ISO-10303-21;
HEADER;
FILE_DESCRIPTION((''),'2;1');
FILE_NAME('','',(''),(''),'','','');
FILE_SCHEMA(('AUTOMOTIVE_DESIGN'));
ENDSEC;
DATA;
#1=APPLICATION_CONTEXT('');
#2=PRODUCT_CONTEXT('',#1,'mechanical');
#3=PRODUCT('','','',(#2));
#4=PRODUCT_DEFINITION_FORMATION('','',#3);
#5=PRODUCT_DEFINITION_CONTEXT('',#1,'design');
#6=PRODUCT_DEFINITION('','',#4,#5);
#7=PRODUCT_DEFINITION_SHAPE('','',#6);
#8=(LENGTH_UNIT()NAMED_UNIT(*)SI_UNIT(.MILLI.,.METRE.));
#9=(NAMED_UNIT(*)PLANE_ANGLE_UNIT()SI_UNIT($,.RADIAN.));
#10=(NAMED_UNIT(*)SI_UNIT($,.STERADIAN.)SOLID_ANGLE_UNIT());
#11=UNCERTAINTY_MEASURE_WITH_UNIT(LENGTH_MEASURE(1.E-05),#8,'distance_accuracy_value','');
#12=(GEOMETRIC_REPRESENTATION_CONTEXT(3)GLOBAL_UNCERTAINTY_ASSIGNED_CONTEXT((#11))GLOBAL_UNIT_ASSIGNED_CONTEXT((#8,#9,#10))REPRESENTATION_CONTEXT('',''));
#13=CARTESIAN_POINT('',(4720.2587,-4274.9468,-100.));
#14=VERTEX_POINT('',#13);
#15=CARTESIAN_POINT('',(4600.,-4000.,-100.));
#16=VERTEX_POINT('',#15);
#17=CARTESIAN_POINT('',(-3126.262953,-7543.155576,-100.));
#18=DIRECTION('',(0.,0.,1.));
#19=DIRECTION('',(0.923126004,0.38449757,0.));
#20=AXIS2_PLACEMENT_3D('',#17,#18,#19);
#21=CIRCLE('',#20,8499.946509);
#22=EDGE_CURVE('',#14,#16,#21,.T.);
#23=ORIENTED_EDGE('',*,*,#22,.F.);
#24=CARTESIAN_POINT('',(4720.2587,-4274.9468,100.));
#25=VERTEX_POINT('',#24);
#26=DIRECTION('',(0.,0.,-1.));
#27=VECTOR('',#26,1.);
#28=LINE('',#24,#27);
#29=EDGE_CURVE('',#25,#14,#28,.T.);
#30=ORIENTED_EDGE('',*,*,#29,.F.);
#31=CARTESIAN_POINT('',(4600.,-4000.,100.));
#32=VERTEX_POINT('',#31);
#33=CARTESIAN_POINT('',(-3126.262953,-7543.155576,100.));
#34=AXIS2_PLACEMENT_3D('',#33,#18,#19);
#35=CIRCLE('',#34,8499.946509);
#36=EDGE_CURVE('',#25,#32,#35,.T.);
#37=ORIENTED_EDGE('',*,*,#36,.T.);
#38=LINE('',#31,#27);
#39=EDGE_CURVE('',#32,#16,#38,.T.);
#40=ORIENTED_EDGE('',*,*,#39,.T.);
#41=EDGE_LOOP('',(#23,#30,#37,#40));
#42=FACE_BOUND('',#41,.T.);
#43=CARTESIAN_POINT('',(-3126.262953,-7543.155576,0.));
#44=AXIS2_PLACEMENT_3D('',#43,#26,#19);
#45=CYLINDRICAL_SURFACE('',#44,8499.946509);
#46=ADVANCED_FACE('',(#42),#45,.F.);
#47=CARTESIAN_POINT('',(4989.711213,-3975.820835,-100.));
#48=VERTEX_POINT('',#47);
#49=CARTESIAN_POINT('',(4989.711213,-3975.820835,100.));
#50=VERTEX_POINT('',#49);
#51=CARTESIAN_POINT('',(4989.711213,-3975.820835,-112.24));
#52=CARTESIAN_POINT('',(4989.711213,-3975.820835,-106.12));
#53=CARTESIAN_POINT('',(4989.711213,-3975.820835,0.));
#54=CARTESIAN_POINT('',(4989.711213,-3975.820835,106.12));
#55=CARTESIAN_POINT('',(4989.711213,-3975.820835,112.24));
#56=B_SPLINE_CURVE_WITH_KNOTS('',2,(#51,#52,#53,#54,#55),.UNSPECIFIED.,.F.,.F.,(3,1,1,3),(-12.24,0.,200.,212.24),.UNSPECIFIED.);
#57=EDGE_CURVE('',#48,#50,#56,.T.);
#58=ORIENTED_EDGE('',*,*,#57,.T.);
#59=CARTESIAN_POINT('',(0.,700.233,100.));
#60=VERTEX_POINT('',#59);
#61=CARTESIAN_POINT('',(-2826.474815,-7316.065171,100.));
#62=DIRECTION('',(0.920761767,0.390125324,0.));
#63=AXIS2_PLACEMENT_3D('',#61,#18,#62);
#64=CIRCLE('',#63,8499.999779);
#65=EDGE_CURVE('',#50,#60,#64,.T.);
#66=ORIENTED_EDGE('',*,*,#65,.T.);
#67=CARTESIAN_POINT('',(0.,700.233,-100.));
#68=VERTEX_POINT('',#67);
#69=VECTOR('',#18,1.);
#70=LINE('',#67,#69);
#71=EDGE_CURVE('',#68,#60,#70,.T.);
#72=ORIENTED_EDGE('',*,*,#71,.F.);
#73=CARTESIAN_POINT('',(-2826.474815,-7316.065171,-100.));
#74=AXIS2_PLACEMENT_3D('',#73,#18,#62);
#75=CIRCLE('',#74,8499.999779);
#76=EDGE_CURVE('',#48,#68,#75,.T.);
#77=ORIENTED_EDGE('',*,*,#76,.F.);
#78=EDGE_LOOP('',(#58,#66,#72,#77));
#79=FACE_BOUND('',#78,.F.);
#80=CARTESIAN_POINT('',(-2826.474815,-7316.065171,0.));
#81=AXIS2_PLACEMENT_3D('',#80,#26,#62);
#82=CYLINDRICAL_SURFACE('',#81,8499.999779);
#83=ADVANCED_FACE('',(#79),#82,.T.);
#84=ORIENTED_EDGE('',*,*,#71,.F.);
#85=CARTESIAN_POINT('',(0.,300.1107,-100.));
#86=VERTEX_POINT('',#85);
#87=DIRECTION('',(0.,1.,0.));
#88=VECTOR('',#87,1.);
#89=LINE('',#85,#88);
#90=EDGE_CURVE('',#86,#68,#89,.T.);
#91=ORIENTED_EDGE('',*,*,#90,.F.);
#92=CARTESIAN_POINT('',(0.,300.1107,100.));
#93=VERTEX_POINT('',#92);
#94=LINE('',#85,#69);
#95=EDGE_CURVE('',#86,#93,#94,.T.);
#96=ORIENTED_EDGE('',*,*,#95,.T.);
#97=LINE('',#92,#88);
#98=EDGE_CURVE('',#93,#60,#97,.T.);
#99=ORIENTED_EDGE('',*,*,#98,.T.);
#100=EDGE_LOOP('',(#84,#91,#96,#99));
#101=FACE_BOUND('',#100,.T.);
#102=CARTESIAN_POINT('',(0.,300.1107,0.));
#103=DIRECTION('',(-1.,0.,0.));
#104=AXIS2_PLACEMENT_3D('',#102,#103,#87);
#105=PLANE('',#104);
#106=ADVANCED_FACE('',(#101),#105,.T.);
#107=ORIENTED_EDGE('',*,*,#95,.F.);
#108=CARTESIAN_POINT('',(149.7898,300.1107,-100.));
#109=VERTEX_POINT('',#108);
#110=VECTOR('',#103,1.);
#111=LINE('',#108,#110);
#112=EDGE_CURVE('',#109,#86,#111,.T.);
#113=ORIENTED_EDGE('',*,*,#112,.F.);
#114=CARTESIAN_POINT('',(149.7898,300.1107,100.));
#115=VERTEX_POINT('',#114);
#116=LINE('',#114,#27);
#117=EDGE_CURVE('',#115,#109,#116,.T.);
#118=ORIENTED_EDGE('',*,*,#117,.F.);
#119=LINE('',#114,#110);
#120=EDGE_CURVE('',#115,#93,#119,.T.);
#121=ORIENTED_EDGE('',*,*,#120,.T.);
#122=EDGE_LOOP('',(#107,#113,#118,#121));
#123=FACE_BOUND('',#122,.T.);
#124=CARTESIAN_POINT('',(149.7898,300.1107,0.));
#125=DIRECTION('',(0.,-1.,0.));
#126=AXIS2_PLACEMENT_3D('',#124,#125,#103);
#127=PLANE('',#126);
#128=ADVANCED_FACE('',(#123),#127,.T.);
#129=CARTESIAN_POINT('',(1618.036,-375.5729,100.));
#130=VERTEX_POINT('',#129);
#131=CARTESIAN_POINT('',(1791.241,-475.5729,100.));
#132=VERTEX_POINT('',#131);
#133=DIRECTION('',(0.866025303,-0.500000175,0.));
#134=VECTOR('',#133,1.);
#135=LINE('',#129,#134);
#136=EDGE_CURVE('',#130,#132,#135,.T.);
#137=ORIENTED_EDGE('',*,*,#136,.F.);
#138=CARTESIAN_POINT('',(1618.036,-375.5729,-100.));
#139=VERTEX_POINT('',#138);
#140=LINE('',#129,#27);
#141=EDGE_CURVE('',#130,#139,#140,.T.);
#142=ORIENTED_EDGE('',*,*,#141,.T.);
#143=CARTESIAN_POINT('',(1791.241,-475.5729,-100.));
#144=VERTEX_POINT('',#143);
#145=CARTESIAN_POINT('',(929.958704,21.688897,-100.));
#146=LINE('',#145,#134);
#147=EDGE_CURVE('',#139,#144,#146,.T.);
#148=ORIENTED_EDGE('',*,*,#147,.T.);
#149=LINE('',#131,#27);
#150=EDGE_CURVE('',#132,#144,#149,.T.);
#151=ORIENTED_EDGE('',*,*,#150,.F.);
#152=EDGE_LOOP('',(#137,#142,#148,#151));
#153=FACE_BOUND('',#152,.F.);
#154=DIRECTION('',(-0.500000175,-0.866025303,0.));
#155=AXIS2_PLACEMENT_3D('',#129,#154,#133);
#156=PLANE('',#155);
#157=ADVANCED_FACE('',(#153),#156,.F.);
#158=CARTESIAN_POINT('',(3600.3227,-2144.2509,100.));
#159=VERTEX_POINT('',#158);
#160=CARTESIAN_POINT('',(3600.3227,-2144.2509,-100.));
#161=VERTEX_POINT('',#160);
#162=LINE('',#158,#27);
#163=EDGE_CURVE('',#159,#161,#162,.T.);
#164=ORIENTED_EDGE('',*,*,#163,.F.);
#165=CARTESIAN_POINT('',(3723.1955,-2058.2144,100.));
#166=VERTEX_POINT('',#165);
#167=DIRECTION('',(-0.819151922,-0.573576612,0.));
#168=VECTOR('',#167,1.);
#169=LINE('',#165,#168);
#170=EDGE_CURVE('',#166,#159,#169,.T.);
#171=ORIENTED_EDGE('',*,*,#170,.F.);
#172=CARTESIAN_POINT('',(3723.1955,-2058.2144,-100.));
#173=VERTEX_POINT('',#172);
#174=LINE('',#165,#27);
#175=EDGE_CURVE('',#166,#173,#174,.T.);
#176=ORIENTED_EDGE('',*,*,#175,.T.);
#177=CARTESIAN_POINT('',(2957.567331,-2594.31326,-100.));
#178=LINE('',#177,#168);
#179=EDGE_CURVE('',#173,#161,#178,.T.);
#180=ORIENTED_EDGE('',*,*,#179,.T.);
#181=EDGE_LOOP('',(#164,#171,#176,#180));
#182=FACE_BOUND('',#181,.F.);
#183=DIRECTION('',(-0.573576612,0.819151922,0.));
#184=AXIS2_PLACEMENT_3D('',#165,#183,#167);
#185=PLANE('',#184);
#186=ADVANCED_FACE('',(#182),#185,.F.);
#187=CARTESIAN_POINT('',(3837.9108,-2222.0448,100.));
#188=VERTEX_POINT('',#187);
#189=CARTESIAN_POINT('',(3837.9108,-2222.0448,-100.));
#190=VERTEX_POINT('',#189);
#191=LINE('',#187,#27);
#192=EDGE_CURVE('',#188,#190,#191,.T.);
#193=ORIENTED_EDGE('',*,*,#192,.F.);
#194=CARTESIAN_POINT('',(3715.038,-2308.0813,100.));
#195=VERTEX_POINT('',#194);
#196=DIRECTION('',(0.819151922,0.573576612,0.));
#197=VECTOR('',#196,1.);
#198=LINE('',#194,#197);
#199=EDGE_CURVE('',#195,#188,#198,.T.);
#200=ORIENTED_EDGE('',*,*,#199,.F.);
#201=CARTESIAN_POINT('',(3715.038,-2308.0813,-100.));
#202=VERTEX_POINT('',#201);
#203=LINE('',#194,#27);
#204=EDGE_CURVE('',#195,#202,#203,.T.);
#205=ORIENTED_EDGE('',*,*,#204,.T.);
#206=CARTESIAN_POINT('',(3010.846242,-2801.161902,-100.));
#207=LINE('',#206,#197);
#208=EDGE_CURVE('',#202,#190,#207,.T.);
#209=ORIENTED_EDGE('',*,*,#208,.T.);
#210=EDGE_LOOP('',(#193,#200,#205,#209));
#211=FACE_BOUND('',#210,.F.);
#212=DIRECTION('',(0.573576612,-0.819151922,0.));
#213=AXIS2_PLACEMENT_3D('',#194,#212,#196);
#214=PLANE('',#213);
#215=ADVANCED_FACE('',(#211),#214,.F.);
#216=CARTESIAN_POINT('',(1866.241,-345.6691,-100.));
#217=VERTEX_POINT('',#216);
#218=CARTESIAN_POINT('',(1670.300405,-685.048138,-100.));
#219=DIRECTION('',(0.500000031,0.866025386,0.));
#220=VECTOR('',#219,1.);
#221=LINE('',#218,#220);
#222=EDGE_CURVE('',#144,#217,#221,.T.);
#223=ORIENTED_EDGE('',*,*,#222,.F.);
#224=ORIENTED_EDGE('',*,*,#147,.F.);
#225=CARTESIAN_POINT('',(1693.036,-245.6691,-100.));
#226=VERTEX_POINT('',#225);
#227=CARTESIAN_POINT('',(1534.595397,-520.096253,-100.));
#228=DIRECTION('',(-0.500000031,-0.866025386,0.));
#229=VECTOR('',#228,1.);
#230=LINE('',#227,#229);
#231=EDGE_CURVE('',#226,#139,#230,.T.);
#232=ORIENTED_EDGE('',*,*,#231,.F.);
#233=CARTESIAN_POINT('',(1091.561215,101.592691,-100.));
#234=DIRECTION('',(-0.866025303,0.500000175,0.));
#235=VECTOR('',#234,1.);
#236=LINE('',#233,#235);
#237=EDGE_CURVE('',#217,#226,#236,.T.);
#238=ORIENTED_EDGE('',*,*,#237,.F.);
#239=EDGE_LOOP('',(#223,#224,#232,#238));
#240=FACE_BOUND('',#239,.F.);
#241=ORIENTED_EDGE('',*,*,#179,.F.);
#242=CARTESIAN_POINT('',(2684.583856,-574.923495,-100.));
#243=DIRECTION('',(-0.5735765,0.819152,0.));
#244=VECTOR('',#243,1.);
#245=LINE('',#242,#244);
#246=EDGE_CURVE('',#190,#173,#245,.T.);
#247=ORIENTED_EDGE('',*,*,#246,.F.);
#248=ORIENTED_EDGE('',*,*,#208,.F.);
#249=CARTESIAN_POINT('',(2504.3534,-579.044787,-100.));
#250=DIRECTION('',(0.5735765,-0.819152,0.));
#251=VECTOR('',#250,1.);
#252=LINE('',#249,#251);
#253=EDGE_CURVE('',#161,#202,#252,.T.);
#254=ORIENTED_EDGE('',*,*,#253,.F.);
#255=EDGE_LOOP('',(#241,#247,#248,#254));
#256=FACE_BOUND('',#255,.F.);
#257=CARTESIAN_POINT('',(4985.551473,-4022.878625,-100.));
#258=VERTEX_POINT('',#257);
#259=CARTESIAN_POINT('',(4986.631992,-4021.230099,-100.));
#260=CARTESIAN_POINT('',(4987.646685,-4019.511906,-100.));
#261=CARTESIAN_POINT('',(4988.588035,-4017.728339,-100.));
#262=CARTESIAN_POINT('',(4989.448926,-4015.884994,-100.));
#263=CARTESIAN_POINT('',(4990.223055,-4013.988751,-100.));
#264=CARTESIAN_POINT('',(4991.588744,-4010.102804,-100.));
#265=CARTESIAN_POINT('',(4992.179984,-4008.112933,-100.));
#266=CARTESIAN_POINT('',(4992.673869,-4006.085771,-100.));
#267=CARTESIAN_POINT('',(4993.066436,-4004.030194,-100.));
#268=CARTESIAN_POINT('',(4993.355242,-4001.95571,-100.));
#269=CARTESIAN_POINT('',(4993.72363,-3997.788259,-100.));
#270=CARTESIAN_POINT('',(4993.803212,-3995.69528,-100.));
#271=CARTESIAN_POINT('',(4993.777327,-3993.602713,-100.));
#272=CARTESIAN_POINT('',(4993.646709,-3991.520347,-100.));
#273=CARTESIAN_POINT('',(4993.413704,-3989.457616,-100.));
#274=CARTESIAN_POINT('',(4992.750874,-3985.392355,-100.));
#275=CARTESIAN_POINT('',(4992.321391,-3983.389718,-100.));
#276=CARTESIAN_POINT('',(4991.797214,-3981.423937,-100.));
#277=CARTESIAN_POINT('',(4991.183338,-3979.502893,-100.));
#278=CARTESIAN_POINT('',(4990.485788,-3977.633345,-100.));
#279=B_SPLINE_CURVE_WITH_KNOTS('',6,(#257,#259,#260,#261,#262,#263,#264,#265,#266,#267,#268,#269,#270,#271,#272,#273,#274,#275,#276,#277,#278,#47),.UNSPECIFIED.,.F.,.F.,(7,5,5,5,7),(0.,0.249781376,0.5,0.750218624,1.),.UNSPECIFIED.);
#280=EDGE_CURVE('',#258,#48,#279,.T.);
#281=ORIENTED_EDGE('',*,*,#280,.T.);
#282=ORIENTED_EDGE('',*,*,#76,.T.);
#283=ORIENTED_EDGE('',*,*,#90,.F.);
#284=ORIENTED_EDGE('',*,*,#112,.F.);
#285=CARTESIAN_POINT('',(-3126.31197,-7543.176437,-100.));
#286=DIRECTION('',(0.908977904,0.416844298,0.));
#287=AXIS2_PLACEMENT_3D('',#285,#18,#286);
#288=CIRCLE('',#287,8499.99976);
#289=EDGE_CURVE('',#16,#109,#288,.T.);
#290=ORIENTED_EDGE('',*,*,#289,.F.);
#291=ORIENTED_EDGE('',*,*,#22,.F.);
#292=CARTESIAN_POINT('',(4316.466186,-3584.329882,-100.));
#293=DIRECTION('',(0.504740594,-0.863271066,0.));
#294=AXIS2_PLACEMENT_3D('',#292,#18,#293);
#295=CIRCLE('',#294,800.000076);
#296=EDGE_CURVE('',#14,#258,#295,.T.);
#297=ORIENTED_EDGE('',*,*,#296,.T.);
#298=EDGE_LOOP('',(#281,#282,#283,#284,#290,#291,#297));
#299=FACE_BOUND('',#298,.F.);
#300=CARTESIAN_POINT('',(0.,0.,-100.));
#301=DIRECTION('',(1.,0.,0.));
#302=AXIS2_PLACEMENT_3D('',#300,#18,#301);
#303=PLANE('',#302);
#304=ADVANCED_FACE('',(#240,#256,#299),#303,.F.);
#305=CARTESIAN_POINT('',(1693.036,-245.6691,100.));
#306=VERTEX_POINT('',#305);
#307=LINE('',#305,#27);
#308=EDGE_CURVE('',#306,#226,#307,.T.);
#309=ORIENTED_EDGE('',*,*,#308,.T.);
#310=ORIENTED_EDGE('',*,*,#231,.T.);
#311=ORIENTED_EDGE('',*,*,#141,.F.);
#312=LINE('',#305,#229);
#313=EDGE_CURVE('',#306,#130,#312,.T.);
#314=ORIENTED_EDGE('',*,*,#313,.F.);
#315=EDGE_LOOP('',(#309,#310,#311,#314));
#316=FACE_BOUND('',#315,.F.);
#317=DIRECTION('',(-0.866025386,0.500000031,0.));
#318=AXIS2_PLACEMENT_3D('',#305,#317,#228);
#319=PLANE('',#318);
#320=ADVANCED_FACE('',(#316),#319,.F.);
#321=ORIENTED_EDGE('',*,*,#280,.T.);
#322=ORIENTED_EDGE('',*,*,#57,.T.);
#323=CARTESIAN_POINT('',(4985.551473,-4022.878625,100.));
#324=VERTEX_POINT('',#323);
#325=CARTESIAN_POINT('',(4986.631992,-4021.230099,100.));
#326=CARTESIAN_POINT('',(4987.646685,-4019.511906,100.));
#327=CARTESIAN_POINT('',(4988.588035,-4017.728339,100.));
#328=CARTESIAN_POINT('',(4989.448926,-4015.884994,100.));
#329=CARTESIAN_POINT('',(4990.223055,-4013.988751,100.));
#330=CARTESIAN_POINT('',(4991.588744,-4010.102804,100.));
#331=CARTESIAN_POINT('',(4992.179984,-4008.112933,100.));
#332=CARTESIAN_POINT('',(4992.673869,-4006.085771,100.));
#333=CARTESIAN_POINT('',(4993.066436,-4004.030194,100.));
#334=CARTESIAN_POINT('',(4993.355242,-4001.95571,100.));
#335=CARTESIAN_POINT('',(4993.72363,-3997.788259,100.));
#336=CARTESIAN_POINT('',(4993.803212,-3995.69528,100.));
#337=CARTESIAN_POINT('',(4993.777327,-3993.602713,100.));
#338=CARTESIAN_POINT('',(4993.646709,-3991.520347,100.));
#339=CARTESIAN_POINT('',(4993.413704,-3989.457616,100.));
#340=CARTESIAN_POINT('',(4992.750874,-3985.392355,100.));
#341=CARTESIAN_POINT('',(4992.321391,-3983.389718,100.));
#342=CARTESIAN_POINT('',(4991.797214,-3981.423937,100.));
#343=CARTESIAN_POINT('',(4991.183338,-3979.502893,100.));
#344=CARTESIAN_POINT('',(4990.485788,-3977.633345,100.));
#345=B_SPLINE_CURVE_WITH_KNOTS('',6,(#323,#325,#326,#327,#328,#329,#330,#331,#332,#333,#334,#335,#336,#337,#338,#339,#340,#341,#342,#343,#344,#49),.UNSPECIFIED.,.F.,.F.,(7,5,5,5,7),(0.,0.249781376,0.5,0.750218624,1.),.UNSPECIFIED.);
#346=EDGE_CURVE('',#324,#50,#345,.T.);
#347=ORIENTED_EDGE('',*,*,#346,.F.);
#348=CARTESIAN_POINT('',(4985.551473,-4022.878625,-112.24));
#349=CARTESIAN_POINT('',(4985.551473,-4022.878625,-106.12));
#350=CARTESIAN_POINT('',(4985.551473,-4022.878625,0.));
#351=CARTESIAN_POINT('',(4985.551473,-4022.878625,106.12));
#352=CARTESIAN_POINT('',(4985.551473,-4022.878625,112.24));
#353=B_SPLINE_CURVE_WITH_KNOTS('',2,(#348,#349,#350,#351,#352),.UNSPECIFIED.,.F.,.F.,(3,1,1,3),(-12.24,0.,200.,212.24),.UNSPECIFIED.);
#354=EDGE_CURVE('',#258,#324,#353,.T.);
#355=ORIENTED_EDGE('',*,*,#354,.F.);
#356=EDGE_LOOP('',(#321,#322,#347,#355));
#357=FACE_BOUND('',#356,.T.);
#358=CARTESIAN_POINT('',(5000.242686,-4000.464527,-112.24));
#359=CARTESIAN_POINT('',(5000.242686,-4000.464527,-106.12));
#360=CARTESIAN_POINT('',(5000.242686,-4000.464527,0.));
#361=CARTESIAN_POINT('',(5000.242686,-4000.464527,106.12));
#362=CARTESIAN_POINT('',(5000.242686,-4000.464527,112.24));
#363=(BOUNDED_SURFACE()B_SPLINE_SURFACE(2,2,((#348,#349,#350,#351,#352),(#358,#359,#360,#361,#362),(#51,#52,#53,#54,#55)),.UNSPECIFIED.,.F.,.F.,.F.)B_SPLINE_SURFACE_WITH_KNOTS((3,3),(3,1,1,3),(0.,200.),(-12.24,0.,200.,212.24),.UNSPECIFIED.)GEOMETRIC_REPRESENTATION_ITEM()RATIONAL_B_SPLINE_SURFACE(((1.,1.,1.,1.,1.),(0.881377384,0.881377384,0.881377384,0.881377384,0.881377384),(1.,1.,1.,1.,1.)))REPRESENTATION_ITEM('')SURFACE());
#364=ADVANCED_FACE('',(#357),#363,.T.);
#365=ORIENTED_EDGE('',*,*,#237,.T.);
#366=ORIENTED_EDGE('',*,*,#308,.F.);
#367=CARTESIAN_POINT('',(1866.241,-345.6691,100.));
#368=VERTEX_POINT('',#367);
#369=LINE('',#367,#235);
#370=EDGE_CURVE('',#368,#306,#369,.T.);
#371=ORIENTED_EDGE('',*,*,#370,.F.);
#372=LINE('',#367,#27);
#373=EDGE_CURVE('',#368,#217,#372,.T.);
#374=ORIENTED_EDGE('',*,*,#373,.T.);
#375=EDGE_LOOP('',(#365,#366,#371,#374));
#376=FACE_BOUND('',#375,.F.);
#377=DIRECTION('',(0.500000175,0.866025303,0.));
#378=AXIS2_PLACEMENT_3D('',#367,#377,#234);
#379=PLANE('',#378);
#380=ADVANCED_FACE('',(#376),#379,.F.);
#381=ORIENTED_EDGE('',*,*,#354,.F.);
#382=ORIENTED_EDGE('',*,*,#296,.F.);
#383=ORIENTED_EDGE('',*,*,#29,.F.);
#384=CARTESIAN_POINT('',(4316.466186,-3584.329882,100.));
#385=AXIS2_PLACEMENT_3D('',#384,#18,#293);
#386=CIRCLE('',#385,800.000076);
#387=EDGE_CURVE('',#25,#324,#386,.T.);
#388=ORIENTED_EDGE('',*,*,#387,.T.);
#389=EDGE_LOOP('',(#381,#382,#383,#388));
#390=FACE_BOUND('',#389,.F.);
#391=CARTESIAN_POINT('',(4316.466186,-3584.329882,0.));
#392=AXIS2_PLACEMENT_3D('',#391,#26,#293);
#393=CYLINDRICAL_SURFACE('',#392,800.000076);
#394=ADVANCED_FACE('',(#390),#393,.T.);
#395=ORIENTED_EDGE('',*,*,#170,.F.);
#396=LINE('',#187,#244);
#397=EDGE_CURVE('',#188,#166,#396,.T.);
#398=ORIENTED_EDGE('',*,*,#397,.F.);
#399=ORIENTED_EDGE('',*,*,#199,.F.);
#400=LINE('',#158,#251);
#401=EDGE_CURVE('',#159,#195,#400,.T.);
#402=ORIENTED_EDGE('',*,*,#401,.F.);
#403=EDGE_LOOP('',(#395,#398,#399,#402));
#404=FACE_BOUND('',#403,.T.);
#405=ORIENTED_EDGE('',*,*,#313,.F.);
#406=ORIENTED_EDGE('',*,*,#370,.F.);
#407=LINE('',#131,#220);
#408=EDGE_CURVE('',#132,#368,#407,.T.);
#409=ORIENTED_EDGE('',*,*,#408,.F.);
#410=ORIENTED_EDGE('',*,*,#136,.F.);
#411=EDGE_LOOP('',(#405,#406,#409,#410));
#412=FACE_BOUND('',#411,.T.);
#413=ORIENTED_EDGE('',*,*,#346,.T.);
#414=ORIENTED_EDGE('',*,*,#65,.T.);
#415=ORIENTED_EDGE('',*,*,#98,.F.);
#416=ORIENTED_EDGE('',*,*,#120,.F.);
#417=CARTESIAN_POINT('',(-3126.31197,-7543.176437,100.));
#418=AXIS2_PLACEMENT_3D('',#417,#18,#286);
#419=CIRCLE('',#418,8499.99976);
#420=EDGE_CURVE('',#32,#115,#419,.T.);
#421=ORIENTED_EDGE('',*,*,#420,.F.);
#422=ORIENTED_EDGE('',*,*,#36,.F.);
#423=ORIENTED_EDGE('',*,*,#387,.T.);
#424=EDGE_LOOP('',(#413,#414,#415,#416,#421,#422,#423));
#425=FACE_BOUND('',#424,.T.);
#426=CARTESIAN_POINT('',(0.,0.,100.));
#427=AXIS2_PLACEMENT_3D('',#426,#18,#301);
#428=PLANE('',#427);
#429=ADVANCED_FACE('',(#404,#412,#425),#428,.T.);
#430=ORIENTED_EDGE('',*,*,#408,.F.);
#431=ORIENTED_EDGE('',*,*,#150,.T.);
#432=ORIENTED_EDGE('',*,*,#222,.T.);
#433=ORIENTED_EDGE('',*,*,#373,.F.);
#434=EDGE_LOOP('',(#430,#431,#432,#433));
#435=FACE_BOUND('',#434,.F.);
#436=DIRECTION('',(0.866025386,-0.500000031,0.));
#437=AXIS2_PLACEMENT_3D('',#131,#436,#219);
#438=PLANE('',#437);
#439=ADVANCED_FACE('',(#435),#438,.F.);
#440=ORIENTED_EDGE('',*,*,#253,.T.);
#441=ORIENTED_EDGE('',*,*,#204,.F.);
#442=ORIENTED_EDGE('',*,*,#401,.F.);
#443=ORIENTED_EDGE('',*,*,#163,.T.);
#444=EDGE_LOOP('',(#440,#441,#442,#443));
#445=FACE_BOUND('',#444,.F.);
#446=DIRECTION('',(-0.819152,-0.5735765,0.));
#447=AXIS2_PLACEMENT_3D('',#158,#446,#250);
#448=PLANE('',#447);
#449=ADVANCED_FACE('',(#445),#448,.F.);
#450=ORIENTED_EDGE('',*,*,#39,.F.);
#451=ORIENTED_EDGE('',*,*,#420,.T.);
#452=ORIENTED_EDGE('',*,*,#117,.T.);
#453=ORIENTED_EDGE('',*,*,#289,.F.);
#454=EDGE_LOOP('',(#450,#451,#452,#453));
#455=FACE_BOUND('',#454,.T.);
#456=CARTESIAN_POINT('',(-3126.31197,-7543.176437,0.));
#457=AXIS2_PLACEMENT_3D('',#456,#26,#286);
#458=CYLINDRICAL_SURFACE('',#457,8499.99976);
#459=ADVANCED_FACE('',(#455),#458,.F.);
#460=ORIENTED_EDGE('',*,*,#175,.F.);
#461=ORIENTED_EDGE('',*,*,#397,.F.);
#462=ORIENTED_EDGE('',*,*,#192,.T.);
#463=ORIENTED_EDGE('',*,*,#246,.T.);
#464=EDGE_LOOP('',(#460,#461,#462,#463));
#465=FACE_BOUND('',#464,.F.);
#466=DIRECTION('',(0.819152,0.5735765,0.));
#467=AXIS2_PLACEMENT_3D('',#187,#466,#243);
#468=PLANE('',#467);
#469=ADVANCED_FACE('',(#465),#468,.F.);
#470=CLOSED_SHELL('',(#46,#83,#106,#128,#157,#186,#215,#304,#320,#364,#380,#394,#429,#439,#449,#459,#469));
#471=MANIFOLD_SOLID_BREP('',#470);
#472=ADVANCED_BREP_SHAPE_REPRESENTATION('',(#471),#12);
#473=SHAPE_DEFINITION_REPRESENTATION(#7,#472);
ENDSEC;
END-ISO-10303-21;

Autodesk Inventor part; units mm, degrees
ref_plane "YZ Plane" through (0, 0, 0) normal (1, 0, 0) x (0, 1, 0)
ref_plane "XZ Plane" through (0, 0, 0) normal (0, 1, 0) x (-1, 0, 0)
ref_plane "XY Plane" through (0, 0, 0) normal (0, 0, 1) x (1, 0, 0)
sketch "Sketch2" plane through (0, 0, 0) normal (0, 0, 1) x (1, 0, 0)
  arc A0 (5000, -4000) -> (0, 700.233) centre (-2826.475, -7316.0653) ccw
  arc A1 (4600, -4000) -> (149.7898, 300.1107) centre (-3126.3122, -7543.1766) ccw
  arc A2 (4720.2587, -4274.9468) -> (4600, -4000) centre (-3126.3122, -7543.1766) ccw
  arc A3 (4720.2587, -4274.9468) -> (5000, -4000) centre (4316.4662, -3584.3299) ccw
  line L0 (149.7898, 300.1107) -> (0, 300.1107)
  line L1 (0, 300.1107) -> (0, 700.233)
  point P0 (0, 0)
  point P1 (4000, -4000)
  dimension "d5" = 8500
  dimension "d7" = 8500
  dimension "d8" = 800
extrude "Extrusion1" add sketch "Sketch2" along normal blind 100 and the other way blind 100
fillet "Fillet2" radius 50 2 edges at (5000, -4000, 50) (5000, -4000, -50)
sketch "Sketch4" plane through (0, 0, 100) normal (0, 0, 1) x (1, 0, 0)
  line L0 (1618.036, -375.5729) -> (1791.241, -475.5729)
  line L1 (1791.241, -475.5729) -> (1866.241, -345.6691)
  line L2 (1866.241, -345.6691) -> (1693.036, -245.6691)
  line L3 (1693.036, -245.6691) -> (1618.036, -375.5729)
  line L4 (1618.036, -375.5729) -> (1866.241, -345.6691) construction
  line L5 (1791.241, -475.5729) -> (1693.036, -245.6691) construction
  line L6 (1618.036, -375.5729) -> (1818.036, -375.5729) construction
  line L7 (3600.3227, -2144.2509) -> (3715.038, -2308.0813)
  line L8 (3715.038, -2308.0813) -> (3837.9108, -2222.0448)
  line L9 (3837.9108, -2222.0448) -> (3723.1955, -2058.2144)
  line L10 (3723.1955, -2058.2144) -> (3600.3227, -2144.2509)
  line L11 (3600.3227, -2144.2509) -> (3837.9108, -2222.0448) construction
  line L12 (3715.038, -2308.0813) -> (3723.1955, -2058.2144) construction
  line L13 (3600.3227, -2144.2509) -> (3800.3227, -2144.2509) construction
  point P0 (0, 0)
  point P1 (1742.1385, -360.621)
  point P2 (3719.1168, -2183.1479)
  dimension "d16" = 200
  dimension "d17" = 30
  dimension "d18" = 150
  dimension "d19" = 200
  dimension "d20" = 55
  dimension "d21" = 150
extrude "Extrusion3" cut sketch "Sketch4" against normal through all
properties part number "curve_beam" material "Wood Shake"
